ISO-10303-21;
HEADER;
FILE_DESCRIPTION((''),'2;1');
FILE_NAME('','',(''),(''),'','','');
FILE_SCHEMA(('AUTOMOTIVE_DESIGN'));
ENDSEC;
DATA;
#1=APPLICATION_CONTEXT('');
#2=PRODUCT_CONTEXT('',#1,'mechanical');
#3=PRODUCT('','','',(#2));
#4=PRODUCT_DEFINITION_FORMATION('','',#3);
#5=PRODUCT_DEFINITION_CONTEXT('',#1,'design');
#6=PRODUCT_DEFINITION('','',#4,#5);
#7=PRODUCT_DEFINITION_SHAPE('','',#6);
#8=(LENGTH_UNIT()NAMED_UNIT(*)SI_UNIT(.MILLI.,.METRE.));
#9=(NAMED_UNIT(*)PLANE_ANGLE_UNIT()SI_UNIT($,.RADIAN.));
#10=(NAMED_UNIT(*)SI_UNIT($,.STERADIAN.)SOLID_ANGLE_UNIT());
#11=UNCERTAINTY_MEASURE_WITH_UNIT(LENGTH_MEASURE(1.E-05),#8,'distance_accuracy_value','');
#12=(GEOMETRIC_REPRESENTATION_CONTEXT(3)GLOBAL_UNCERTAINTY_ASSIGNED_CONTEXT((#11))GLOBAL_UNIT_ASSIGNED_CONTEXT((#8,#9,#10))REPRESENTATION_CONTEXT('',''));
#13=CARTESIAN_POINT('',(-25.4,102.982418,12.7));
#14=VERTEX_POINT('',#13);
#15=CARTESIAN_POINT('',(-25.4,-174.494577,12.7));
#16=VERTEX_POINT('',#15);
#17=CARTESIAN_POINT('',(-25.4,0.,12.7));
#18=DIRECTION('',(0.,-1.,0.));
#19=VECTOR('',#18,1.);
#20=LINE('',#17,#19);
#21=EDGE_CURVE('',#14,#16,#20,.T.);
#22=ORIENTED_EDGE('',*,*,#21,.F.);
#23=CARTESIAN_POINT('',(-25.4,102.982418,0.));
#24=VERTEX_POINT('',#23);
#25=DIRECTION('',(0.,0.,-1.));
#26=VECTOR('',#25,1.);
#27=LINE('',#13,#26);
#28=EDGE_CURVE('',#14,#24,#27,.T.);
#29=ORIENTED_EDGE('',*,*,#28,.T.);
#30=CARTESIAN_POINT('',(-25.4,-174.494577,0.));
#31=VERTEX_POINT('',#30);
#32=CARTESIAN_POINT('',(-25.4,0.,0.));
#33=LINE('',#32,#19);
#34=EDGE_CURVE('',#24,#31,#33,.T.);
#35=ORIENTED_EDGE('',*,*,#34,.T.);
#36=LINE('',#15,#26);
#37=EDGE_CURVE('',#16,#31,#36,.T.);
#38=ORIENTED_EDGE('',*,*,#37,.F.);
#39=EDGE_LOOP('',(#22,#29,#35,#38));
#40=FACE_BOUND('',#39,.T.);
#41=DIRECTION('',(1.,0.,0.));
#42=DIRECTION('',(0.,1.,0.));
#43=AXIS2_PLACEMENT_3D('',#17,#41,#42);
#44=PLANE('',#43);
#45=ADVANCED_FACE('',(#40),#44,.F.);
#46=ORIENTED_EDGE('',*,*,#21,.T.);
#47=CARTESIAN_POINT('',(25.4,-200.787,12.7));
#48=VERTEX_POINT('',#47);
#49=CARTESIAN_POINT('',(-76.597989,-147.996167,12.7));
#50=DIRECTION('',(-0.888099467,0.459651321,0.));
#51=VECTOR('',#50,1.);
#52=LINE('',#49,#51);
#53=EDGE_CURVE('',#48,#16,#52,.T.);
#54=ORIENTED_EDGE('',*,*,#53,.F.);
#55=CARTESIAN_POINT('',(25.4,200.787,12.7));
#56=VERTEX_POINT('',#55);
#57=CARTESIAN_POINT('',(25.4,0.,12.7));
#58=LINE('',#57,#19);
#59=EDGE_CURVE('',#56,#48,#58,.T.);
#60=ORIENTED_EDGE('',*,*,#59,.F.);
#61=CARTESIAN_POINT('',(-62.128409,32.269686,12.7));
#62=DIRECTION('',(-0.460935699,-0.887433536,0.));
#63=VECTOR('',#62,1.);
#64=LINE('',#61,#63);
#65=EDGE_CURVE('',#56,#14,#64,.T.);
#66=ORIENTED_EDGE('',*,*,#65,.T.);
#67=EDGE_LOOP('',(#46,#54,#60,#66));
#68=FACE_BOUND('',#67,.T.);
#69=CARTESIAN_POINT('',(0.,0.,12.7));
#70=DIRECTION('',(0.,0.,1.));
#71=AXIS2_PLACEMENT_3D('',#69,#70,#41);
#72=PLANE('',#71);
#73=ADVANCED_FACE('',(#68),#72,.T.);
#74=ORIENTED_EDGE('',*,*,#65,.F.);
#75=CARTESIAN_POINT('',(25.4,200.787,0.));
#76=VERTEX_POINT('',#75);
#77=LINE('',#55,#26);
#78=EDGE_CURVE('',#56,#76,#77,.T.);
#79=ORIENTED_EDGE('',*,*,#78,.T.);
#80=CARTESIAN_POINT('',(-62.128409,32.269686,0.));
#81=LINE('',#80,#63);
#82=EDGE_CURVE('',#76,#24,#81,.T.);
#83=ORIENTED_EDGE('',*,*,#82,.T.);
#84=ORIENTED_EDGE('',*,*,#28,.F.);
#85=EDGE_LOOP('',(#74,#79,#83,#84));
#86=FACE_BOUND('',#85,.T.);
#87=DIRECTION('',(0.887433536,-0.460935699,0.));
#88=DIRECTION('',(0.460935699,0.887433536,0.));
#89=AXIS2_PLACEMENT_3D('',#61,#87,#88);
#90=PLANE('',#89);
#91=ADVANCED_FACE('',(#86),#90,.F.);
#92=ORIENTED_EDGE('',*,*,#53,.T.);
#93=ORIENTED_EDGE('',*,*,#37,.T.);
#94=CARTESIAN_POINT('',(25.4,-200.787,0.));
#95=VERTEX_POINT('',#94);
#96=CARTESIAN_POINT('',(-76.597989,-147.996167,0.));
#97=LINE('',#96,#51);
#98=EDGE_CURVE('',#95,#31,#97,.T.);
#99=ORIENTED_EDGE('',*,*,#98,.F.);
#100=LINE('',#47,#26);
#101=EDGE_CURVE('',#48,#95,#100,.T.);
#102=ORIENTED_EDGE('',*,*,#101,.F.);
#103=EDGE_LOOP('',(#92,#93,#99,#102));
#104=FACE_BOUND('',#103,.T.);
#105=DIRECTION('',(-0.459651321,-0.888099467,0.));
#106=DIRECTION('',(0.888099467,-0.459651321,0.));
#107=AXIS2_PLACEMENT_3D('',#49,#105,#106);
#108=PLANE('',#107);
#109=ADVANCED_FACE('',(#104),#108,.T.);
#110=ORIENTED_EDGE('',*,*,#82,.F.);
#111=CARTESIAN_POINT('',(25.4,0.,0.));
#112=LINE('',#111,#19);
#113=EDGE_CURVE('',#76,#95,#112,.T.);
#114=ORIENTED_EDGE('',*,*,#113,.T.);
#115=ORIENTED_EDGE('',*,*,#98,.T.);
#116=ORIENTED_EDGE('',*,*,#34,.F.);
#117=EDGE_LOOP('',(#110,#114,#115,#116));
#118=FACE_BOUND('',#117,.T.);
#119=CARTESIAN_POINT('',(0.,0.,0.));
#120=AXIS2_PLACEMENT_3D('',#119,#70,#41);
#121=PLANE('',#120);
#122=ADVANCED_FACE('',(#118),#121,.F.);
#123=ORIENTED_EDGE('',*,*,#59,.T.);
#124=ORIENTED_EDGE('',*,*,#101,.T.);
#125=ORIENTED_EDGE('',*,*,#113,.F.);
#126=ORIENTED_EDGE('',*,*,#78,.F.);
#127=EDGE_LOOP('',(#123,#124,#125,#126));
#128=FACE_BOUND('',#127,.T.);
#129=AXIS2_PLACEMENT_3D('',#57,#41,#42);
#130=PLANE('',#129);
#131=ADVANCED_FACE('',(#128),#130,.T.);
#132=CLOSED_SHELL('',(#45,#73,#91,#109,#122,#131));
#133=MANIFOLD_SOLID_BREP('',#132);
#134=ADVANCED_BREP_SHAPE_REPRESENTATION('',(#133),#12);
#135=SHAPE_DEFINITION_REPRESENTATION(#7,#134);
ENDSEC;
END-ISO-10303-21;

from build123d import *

# Parameters (mm, degrees)
BOSS_EXTRUDE1_DEPTH = 12.7


with BuildPart() as part:
    # Sketch1 → Boss-Extrude1 (new body)
    with BuildSketch(Plane.XY):
        Polygon((25.4, -200.787), (25.4, 200.787), (-25.4, 102.982417529), (-25.4, -174.494576745), align=None)
    extrude(amount=BOSS_EXTRUDE1_DEPTH)


solid = part.part
